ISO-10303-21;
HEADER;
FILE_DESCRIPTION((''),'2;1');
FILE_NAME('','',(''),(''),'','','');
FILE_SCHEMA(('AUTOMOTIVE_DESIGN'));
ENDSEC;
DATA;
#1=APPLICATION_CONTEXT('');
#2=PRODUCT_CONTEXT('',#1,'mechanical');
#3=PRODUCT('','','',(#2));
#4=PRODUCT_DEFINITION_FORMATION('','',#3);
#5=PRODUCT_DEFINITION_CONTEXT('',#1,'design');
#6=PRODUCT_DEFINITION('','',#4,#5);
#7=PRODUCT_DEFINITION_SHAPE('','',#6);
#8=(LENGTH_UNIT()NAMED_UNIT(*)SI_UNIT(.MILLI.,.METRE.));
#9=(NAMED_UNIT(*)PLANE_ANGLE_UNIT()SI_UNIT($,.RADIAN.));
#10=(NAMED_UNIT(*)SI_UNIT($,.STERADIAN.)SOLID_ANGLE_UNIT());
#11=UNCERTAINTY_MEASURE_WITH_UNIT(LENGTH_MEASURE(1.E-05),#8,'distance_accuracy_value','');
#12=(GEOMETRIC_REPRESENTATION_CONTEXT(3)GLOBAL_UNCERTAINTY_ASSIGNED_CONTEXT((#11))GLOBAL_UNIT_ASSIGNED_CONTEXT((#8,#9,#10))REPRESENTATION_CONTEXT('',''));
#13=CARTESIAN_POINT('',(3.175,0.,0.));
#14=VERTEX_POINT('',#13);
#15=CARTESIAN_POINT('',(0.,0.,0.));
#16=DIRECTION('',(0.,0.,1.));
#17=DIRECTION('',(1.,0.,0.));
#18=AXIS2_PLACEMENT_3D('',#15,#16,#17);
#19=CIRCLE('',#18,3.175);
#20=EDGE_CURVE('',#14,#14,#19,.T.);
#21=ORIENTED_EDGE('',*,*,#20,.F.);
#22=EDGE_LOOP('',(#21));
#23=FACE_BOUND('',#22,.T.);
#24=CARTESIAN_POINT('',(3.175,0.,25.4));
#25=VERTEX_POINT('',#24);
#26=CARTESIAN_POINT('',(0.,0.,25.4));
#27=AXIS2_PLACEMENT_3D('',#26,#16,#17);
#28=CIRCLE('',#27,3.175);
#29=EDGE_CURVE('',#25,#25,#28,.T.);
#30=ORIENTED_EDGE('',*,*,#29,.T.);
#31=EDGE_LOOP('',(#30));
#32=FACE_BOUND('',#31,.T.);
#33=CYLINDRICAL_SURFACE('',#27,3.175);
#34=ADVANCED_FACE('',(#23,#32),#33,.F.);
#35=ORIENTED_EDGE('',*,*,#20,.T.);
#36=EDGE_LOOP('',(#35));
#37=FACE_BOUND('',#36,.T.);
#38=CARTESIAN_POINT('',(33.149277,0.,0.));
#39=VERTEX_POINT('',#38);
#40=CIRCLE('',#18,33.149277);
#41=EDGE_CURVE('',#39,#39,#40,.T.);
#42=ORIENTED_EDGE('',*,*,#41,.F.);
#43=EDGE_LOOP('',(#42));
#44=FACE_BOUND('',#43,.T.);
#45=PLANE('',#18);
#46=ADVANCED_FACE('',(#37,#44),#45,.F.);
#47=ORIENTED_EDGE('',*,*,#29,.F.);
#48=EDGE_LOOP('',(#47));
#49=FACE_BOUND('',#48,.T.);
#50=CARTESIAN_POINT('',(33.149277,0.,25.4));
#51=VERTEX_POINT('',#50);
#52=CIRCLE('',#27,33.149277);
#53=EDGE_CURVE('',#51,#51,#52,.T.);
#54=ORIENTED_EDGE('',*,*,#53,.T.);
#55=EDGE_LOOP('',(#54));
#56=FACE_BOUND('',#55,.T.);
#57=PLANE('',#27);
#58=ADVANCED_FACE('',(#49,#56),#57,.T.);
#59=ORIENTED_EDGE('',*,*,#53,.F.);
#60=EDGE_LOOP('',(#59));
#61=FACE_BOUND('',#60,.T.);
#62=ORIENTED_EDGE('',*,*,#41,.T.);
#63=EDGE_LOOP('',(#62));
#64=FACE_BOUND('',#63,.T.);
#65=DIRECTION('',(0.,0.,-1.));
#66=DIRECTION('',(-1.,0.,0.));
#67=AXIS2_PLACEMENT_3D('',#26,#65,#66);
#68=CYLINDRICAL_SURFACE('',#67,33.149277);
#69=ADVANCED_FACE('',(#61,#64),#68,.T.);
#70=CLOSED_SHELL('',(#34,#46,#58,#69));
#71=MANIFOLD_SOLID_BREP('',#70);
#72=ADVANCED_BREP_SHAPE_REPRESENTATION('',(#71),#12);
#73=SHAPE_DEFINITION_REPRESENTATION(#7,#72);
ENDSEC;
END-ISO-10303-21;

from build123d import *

# Parameters (mm, degrees)
SKETCH1_R                   = 33.149277239
BOSS_EXTRUDE1_DEPTH         = 25.4
F_1_4_0_25_DIAMETER_HOLE1_D = 6.35


with BuildPart() as part:
    # Sketch1 → Boss-Extrude1 (new body)
    with BuildSketch(Plane.XY):
        Circle(SKETCH1_R)
    extrude(amount=BOSS_EXTRUDE1_DEPTH)

    # 1/4 (0.25) Diameter Hole1 (through all)
    with Locations(Plane.XY.offset(25.4)):
        with Locations((0, 0)):
            Hole(F_1_4_0_25_DIAMETER_HOLE1_D / 2)


solid = part.part
